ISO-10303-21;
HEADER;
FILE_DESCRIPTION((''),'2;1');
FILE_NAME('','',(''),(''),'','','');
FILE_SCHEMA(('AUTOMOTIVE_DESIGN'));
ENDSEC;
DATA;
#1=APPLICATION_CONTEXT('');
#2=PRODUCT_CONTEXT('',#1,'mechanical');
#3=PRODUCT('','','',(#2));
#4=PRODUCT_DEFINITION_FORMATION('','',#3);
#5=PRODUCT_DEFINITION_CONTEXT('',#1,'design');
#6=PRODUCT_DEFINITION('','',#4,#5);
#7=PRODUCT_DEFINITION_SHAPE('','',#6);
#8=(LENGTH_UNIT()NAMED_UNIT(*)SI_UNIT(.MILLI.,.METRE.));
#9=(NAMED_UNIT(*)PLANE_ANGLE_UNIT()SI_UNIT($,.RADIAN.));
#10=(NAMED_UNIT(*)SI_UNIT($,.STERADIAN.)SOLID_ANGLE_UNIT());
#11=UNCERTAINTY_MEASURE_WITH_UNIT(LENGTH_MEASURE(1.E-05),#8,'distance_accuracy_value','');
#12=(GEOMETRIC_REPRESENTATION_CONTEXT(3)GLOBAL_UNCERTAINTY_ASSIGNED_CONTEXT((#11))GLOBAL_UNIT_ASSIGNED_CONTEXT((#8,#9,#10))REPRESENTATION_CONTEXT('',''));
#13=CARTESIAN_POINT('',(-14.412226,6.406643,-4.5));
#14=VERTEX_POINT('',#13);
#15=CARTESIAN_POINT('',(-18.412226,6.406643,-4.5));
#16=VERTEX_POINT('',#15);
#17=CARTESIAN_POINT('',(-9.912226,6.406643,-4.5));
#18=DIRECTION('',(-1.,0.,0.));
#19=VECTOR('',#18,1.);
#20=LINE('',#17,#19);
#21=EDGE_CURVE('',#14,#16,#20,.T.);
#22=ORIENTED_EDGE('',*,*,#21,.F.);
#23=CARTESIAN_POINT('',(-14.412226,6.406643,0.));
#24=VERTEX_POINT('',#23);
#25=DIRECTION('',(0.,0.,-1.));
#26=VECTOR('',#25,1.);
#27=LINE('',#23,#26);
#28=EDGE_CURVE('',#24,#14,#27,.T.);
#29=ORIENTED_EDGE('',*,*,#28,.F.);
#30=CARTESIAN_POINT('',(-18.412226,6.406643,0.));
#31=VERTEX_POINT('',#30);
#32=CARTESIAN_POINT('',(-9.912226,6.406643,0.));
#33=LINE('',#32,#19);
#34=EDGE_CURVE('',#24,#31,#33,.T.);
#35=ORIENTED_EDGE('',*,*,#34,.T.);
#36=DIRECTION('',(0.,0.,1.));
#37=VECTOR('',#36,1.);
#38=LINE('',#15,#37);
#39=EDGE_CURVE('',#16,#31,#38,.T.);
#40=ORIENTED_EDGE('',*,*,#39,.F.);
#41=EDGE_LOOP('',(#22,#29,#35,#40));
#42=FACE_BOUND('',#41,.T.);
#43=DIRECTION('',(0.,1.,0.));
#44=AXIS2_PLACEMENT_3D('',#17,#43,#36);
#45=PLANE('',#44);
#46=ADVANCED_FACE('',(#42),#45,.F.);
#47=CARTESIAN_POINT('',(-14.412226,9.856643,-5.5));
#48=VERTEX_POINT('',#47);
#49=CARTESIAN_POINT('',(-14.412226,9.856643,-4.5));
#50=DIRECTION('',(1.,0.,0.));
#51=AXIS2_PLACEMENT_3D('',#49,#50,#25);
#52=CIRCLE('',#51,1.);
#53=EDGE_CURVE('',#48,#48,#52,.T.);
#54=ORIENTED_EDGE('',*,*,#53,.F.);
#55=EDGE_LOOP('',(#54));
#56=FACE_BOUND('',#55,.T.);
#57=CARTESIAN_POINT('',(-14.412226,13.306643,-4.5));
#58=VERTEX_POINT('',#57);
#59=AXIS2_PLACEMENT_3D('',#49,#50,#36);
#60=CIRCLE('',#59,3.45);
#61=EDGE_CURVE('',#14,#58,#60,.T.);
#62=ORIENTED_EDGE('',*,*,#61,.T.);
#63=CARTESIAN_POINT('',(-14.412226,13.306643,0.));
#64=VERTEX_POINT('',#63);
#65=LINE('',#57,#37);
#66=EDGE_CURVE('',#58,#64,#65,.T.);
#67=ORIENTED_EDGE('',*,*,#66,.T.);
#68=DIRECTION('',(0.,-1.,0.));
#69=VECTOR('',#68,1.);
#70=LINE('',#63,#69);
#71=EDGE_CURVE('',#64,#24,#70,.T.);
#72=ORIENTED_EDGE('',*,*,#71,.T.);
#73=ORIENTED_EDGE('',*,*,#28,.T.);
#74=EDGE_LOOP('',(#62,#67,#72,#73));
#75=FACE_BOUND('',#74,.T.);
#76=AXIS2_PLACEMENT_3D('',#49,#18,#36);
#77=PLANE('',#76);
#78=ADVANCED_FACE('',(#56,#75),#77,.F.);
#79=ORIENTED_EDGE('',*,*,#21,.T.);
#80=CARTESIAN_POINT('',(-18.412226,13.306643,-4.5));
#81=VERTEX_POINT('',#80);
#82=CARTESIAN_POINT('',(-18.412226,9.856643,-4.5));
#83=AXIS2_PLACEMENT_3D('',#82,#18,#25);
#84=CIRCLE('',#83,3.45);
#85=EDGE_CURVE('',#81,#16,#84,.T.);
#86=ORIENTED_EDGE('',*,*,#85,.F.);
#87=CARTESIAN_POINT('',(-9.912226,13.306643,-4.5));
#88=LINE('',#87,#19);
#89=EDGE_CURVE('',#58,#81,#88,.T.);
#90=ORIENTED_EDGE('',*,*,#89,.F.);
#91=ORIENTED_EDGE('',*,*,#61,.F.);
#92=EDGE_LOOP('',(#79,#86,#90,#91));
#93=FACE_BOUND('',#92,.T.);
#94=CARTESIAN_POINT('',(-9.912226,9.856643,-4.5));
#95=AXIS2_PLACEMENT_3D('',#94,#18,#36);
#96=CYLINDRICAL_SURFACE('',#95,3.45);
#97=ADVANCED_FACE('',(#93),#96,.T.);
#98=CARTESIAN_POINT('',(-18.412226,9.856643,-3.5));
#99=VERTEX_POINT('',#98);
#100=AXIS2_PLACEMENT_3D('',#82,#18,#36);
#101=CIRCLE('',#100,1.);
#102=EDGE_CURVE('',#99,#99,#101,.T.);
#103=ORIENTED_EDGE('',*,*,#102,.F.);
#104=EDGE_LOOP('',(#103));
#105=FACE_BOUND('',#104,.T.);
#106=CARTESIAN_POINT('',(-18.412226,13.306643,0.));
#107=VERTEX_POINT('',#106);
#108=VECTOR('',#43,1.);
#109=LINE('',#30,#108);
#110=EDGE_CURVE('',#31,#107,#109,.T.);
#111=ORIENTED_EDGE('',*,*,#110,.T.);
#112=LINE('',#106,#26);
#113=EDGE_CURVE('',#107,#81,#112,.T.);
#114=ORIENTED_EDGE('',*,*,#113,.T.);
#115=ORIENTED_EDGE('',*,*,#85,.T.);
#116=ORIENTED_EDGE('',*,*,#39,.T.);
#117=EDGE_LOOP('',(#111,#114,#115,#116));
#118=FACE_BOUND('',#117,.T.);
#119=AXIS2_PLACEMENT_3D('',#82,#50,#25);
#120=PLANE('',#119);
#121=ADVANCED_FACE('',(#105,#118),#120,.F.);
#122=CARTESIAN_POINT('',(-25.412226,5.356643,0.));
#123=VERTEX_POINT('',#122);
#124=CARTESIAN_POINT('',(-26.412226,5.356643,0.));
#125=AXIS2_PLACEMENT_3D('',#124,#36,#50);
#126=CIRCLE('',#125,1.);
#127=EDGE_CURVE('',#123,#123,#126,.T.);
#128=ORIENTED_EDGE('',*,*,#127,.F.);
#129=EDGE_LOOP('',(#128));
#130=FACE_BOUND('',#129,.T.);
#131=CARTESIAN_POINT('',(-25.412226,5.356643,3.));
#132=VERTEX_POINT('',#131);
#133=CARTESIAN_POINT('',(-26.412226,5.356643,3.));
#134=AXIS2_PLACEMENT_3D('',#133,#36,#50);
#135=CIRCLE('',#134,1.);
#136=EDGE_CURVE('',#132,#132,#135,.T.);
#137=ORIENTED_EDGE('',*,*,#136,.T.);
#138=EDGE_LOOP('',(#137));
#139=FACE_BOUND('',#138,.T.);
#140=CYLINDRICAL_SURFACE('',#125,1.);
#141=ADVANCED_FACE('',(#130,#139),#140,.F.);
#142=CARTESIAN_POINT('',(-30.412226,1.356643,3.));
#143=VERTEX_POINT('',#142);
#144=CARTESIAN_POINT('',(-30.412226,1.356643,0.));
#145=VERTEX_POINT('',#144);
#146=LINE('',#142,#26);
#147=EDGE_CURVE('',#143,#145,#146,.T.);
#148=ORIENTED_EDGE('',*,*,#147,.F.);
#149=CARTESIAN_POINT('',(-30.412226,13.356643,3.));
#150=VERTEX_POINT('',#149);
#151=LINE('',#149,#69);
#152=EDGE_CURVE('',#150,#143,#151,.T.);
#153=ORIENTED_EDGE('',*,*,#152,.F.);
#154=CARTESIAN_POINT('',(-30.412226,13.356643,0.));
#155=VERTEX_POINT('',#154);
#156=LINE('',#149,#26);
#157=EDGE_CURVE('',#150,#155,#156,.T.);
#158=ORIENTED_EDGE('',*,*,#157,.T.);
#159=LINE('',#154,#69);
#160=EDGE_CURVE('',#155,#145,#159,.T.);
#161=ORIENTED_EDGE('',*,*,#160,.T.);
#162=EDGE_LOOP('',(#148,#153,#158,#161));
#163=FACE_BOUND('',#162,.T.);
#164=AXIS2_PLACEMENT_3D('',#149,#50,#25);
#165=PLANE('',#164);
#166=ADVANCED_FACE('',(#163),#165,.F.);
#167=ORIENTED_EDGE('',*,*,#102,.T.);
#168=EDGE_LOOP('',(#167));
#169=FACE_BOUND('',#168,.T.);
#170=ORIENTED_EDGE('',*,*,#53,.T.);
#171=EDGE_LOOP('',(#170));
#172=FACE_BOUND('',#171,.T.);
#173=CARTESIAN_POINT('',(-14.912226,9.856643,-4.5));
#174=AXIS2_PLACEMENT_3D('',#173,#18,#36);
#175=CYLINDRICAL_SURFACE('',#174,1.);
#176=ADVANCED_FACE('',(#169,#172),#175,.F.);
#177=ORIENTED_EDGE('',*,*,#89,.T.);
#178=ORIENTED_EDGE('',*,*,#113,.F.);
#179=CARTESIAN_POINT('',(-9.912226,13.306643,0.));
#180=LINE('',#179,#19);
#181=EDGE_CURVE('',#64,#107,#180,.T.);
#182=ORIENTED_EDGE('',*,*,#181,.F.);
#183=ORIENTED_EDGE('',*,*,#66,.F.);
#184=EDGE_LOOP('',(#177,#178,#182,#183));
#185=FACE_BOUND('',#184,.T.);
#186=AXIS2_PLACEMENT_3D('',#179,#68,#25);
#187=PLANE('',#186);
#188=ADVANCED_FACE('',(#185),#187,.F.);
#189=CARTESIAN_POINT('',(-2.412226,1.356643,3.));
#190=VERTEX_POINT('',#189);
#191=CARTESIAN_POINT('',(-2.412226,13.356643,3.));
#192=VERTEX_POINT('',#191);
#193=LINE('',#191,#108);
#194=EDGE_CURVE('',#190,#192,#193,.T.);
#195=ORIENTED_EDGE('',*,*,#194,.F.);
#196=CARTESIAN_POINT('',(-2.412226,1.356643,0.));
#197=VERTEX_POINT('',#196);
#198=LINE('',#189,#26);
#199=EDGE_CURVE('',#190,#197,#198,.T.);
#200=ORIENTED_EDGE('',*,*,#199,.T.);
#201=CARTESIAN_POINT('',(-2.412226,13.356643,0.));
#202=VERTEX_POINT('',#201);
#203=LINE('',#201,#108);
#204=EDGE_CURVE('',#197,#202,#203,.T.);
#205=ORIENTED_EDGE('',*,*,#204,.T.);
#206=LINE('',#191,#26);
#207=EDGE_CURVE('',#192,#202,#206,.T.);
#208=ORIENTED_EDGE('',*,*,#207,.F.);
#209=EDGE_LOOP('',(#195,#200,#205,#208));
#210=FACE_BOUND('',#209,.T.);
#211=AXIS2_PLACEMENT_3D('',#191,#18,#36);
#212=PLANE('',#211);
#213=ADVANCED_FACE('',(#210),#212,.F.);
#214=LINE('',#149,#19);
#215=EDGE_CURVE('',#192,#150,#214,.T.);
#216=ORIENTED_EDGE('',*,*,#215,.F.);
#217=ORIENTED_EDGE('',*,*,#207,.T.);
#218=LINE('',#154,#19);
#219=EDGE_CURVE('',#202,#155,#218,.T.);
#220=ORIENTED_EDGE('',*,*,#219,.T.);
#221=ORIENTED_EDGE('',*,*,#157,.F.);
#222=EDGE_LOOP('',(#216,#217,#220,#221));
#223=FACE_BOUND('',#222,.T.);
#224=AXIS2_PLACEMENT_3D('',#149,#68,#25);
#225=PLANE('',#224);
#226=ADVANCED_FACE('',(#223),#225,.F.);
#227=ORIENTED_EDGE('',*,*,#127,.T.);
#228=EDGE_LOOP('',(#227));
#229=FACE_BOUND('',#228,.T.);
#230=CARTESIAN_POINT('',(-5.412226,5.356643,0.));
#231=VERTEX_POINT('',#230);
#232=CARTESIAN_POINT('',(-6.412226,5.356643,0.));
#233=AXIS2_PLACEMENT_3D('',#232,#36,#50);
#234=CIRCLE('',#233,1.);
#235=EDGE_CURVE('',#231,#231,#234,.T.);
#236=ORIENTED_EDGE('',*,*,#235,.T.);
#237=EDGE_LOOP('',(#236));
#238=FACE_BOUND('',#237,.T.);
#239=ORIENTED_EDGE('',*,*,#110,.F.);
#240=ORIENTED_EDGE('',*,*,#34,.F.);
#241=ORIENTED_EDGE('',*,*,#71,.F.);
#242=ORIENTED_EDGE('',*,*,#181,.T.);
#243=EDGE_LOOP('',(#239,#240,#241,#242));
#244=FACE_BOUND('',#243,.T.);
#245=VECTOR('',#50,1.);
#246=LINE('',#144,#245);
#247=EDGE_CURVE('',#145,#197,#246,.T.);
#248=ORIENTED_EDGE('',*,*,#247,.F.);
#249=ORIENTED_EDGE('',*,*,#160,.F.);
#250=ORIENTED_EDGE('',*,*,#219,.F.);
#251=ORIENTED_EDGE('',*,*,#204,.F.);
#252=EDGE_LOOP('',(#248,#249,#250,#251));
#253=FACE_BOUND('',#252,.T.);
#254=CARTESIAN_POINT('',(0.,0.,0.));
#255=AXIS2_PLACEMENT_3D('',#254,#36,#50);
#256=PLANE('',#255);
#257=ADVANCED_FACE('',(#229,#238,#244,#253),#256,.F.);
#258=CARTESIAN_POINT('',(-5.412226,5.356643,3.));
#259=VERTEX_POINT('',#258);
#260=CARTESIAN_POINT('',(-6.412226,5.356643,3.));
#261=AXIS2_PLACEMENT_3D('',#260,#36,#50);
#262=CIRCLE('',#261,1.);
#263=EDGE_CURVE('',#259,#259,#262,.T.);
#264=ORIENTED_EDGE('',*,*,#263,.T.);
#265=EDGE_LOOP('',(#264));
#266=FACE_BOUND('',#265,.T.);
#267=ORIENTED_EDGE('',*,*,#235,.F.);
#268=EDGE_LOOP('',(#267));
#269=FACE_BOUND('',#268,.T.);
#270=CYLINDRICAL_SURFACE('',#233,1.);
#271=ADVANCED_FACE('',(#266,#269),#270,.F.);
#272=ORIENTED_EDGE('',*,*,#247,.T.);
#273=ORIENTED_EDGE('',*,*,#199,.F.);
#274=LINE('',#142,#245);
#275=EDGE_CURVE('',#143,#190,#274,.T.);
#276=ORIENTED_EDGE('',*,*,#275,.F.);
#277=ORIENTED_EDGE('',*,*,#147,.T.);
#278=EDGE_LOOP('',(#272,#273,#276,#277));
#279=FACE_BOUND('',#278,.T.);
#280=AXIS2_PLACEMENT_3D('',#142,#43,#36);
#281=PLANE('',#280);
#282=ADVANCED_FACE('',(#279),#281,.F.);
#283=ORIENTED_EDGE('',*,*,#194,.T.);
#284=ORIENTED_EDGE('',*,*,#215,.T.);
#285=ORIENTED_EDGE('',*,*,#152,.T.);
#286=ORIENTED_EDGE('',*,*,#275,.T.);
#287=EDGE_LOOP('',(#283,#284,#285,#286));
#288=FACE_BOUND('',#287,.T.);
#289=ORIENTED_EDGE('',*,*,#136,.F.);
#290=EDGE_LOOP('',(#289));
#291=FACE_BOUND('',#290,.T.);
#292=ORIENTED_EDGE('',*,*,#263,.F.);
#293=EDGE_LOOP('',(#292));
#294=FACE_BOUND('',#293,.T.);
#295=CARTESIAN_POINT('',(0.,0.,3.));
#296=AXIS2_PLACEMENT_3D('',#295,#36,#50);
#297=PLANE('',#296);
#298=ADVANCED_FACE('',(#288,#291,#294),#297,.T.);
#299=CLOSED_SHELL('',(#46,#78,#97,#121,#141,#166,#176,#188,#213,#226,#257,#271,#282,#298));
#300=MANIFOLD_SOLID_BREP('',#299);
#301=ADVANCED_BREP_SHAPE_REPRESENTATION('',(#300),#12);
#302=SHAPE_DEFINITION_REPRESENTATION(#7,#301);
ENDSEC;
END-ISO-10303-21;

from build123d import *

# Parameters (mm, degrees)
CROQUIS1_W              = 28
CROQUIS1_H              = 12
SALIENTE_EXTRUIR1_DEPTH = 3
CROQUIS2_R              = 1
CORTAR_EXTRUIR1_DEPTH   = 3
CROQUIS3_W              = 3
CROQUIS3_H              = 8.392153605
SALIENTE_EXTRUIR2_DEPTH = 8
CROQUIS4_R              = 1
CORTAR_EXTRUIR2_DEPTH   = 3
CORTAR_EXTRUIR3_DEPTH   = 8
SALIENTE_EXTRUIR4_START = 0.5
CROQUIS11_R             = 1
SALIENTE_EXTRUIR4_DEPTH = 0.5
CROQUIS12_R             = 1
SALIENTE_EXTRUIR5_DEPTH = 0.5


with BuildPart() as part:
    # Croquis1 → Saliente-Extruir1 (new body)
    with BuildSketch(Plane.XY):
        with Locations((-16.412225504, 7.356643357)):
            Rectangle(CROQUIS1_W, CROQUIS1_H)
    extrude(amount=SALIENTE_EXTRUIR1_DEPTH)

    # Croquis2 → Cortar-Extruir1 (cut)
    with BuildSketch(Plane.XY.offset(3)):
        with Locations((-26.412225504, 5.356643357)):
            Circle(CROQUIS2_R)
        with Locations((-6.412225504, 5.356643357)):
            Circle(CROQUIS2_R)
    extrude(amount=-CORTAR_EXTRUIR1_DEPTH, mode=Mode.SUBTRACT)

    # Croquis3 → Saliente-Extruir2 (add)
    with BuildSketch(Plane(origin=(0, 0, 0), x_dir=(-1, 0, 0), z_dir=(0, 0, -1))):
        with Locations((16.412225504, 9.160566555)):
            Rectangle(CROQUIS3_W, CROQUIS3_H)
    extrude(amount=SALIENTE_EXTRUIR2_DEPTH)

    # Croquis4 → Cortar-Extruir2 (cut)
    with BuildSketch(Plane.ZY.offset(17.912225504)):
        with Locations((-4.5, 9.856643357)):
            Circle(CROQUIS4_R)
    extrude(amount=-CORTAR_EXTRUIR2_DEPTH, mode=Mode.SUBTRACT)

    # Croquis6 → Cortar-Extruir3 (cut)
    with BuildSketch(Plane.ZY.offset(17.912225504)):
        with BuildLine():
            Line((-8, 13.356643357), (-4.5, 13.356643357))
            Line((-4.5, 13.356643357), (0, 13.356643357))
            Line((0, 13.356643357), (0, 13.306643357))
            Line((0, 13.306643357), (-4.5, 13.306643357))
            ThreePointArc((-4.5, 13.306643357), (-7.95, 9.856643357), (-4.5, 6.406643357))
            Line((-4.5, 6.406643357), (0, 6.406643357))
            Line((0, 6.406643357), (0, 4.964489752))
            Line((0, 4.964489752), (-8, 4.964489752))
            Line((-8, 4.964489752), (-8, 6.352103478))
            Line((-8, 6.352103478), (-8, 13.356643357))
        make_face()
    extrude(amount=-CORTAR_EXTRUIR3_DEPTH, mode=Mode.SUBTRACT)

    # Croquis11 → Saliente-Extruir4 (add)
    with BuildSketch(Plane.ZY.offset(17.912225504).offset(SALIENTE_EXTRUIR4_START)):
        with BuildLine():
            Line((-4.5, 6.406643357), (0, 6.406643357))
            Line((0, 6.406643357), (0, 13.306643357))
            Line((0, 13.306643357), (-4.5, 13.306643357))
            ThreePointArc((-4.5, 13.306643357), (-7.95, 9.856643357), (-4.5, 6.406643357))
        make_face()
        with Locations((-4.5, 9.856643357)):
            Circle(CROQUIS11_R, mode=Mode.SUBTRACT)
    extrude(amount=-SALIENTE_EXTRUIR4_DEPTH)

    # Croquis12 → Saliente-Extruir5 (add)
    with BuildSketch(Plane(origin=(-14.912225504, 0, 0), x_dir=(0, 0, -1), z_dir=(1, 0, 0))):
        with BuildLine():
            Line((4.5, 13.306643357), (0, 13.306643357))
            Line((0, 13.306643357), (0, 6.406643357))
            Line((0, 6.406643357), (4.5, 6.406643357))
            ThreePointArc((4.5, 6.406643357), (7.95, 9.856643357), (4.5, 13.306643357))
        make_face()
        with Locations(Location((4.5, 9.856643357, 0), (0, 0, 180))):
            Circle(CROQUIS12_R, mode=Mode.SUBTRACT)
    extrude(amount=SALIENTE_EXTRUIR5_DEPTH)


solid = part.part
